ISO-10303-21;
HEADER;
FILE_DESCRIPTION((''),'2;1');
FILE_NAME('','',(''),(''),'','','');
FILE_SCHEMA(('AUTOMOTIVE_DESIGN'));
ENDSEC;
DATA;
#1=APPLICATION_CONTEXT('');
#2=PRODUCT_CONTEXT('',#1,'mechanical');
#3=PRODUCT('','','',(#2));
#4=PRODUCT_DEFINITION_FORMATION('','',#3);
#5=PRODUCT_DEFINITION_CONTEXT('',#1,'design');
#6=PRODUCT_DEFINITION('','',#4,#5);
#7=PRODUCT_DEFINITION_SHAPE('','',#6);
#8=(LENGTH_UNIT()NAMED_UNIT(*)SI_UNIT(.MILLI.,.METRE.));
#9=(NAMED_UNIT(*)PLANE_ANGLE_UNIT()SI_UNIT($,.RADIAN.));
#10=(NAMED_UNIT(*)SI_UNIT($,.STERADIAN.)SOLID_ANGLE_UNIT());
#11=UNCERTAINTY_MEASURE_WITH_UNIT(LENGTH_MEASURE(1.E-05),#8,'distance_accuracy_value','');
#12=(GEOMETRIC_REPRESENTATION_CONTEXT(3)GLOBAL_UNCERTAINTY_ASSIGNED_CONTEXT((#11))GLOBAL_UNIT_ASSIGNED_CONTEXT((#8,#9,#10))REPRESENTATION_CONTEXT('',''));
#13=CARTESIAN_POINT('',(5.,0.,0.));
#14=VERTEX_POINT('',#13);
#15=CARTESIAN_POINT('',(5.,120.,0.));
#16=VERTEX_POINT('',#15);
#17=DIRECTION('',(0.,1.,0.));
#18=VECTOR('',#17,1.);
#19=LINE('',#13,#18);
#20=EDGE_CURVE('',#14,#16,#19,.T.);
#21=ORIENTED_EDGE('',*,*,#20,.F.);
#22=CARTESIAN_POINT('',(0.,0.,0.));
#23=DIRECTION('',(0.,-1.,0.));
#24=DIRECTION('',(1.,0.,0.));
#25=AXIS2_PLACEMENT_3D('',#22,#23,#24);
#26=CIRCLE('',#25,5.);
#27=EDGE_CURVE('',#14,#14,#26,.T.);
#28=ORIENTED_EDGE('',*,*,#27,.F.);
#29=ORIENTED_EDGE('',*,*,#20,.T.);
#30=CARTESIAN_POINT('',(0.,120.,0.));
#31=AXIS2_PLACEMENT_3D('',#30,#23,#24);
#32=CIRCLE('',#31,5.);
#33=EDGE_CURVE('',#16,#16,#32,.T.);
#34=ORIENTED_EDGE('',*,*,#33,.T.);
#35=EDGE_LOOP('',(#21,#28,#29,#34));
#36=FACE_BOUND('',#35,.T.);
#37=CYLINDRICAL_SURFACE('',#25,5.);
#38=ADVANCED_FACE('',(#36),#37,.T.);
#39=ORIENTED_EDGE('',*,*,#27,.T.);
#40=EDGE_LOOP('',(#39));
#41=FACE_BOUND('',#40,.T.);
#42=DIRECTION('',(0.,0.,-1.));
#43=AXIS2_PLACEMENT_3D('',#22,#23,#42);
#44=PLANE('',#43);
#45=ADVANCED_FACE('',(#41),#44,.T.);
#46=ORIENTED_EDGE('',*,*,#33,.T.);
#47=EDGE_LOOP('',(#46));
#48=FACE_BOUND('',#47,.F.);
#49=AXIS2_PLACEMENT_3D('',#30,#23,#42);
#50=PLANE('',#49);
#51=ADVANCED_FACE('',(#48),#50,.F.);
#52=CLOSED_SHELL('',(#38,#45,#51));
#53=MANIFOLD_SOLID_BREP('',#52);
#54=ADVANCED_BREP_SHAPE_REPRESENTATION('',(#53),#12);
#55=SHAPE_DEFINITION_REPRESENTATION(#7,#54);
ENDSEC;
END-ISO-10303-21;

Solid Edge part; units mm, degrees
sketch "Sketch1" plane through (0, 0, 0) normal (0, -1, 0) x (1, 0, 0)
  circle A0 centre (0, 0) radius 5
  dimension "D1" = 10
extrude "Protrusion1" add sketch "Sketch1" against normal blind 120
cosmetic_thread "Thread1" size "Tr 10 x 2"
properties material "Aluminum, 6061-T6"
